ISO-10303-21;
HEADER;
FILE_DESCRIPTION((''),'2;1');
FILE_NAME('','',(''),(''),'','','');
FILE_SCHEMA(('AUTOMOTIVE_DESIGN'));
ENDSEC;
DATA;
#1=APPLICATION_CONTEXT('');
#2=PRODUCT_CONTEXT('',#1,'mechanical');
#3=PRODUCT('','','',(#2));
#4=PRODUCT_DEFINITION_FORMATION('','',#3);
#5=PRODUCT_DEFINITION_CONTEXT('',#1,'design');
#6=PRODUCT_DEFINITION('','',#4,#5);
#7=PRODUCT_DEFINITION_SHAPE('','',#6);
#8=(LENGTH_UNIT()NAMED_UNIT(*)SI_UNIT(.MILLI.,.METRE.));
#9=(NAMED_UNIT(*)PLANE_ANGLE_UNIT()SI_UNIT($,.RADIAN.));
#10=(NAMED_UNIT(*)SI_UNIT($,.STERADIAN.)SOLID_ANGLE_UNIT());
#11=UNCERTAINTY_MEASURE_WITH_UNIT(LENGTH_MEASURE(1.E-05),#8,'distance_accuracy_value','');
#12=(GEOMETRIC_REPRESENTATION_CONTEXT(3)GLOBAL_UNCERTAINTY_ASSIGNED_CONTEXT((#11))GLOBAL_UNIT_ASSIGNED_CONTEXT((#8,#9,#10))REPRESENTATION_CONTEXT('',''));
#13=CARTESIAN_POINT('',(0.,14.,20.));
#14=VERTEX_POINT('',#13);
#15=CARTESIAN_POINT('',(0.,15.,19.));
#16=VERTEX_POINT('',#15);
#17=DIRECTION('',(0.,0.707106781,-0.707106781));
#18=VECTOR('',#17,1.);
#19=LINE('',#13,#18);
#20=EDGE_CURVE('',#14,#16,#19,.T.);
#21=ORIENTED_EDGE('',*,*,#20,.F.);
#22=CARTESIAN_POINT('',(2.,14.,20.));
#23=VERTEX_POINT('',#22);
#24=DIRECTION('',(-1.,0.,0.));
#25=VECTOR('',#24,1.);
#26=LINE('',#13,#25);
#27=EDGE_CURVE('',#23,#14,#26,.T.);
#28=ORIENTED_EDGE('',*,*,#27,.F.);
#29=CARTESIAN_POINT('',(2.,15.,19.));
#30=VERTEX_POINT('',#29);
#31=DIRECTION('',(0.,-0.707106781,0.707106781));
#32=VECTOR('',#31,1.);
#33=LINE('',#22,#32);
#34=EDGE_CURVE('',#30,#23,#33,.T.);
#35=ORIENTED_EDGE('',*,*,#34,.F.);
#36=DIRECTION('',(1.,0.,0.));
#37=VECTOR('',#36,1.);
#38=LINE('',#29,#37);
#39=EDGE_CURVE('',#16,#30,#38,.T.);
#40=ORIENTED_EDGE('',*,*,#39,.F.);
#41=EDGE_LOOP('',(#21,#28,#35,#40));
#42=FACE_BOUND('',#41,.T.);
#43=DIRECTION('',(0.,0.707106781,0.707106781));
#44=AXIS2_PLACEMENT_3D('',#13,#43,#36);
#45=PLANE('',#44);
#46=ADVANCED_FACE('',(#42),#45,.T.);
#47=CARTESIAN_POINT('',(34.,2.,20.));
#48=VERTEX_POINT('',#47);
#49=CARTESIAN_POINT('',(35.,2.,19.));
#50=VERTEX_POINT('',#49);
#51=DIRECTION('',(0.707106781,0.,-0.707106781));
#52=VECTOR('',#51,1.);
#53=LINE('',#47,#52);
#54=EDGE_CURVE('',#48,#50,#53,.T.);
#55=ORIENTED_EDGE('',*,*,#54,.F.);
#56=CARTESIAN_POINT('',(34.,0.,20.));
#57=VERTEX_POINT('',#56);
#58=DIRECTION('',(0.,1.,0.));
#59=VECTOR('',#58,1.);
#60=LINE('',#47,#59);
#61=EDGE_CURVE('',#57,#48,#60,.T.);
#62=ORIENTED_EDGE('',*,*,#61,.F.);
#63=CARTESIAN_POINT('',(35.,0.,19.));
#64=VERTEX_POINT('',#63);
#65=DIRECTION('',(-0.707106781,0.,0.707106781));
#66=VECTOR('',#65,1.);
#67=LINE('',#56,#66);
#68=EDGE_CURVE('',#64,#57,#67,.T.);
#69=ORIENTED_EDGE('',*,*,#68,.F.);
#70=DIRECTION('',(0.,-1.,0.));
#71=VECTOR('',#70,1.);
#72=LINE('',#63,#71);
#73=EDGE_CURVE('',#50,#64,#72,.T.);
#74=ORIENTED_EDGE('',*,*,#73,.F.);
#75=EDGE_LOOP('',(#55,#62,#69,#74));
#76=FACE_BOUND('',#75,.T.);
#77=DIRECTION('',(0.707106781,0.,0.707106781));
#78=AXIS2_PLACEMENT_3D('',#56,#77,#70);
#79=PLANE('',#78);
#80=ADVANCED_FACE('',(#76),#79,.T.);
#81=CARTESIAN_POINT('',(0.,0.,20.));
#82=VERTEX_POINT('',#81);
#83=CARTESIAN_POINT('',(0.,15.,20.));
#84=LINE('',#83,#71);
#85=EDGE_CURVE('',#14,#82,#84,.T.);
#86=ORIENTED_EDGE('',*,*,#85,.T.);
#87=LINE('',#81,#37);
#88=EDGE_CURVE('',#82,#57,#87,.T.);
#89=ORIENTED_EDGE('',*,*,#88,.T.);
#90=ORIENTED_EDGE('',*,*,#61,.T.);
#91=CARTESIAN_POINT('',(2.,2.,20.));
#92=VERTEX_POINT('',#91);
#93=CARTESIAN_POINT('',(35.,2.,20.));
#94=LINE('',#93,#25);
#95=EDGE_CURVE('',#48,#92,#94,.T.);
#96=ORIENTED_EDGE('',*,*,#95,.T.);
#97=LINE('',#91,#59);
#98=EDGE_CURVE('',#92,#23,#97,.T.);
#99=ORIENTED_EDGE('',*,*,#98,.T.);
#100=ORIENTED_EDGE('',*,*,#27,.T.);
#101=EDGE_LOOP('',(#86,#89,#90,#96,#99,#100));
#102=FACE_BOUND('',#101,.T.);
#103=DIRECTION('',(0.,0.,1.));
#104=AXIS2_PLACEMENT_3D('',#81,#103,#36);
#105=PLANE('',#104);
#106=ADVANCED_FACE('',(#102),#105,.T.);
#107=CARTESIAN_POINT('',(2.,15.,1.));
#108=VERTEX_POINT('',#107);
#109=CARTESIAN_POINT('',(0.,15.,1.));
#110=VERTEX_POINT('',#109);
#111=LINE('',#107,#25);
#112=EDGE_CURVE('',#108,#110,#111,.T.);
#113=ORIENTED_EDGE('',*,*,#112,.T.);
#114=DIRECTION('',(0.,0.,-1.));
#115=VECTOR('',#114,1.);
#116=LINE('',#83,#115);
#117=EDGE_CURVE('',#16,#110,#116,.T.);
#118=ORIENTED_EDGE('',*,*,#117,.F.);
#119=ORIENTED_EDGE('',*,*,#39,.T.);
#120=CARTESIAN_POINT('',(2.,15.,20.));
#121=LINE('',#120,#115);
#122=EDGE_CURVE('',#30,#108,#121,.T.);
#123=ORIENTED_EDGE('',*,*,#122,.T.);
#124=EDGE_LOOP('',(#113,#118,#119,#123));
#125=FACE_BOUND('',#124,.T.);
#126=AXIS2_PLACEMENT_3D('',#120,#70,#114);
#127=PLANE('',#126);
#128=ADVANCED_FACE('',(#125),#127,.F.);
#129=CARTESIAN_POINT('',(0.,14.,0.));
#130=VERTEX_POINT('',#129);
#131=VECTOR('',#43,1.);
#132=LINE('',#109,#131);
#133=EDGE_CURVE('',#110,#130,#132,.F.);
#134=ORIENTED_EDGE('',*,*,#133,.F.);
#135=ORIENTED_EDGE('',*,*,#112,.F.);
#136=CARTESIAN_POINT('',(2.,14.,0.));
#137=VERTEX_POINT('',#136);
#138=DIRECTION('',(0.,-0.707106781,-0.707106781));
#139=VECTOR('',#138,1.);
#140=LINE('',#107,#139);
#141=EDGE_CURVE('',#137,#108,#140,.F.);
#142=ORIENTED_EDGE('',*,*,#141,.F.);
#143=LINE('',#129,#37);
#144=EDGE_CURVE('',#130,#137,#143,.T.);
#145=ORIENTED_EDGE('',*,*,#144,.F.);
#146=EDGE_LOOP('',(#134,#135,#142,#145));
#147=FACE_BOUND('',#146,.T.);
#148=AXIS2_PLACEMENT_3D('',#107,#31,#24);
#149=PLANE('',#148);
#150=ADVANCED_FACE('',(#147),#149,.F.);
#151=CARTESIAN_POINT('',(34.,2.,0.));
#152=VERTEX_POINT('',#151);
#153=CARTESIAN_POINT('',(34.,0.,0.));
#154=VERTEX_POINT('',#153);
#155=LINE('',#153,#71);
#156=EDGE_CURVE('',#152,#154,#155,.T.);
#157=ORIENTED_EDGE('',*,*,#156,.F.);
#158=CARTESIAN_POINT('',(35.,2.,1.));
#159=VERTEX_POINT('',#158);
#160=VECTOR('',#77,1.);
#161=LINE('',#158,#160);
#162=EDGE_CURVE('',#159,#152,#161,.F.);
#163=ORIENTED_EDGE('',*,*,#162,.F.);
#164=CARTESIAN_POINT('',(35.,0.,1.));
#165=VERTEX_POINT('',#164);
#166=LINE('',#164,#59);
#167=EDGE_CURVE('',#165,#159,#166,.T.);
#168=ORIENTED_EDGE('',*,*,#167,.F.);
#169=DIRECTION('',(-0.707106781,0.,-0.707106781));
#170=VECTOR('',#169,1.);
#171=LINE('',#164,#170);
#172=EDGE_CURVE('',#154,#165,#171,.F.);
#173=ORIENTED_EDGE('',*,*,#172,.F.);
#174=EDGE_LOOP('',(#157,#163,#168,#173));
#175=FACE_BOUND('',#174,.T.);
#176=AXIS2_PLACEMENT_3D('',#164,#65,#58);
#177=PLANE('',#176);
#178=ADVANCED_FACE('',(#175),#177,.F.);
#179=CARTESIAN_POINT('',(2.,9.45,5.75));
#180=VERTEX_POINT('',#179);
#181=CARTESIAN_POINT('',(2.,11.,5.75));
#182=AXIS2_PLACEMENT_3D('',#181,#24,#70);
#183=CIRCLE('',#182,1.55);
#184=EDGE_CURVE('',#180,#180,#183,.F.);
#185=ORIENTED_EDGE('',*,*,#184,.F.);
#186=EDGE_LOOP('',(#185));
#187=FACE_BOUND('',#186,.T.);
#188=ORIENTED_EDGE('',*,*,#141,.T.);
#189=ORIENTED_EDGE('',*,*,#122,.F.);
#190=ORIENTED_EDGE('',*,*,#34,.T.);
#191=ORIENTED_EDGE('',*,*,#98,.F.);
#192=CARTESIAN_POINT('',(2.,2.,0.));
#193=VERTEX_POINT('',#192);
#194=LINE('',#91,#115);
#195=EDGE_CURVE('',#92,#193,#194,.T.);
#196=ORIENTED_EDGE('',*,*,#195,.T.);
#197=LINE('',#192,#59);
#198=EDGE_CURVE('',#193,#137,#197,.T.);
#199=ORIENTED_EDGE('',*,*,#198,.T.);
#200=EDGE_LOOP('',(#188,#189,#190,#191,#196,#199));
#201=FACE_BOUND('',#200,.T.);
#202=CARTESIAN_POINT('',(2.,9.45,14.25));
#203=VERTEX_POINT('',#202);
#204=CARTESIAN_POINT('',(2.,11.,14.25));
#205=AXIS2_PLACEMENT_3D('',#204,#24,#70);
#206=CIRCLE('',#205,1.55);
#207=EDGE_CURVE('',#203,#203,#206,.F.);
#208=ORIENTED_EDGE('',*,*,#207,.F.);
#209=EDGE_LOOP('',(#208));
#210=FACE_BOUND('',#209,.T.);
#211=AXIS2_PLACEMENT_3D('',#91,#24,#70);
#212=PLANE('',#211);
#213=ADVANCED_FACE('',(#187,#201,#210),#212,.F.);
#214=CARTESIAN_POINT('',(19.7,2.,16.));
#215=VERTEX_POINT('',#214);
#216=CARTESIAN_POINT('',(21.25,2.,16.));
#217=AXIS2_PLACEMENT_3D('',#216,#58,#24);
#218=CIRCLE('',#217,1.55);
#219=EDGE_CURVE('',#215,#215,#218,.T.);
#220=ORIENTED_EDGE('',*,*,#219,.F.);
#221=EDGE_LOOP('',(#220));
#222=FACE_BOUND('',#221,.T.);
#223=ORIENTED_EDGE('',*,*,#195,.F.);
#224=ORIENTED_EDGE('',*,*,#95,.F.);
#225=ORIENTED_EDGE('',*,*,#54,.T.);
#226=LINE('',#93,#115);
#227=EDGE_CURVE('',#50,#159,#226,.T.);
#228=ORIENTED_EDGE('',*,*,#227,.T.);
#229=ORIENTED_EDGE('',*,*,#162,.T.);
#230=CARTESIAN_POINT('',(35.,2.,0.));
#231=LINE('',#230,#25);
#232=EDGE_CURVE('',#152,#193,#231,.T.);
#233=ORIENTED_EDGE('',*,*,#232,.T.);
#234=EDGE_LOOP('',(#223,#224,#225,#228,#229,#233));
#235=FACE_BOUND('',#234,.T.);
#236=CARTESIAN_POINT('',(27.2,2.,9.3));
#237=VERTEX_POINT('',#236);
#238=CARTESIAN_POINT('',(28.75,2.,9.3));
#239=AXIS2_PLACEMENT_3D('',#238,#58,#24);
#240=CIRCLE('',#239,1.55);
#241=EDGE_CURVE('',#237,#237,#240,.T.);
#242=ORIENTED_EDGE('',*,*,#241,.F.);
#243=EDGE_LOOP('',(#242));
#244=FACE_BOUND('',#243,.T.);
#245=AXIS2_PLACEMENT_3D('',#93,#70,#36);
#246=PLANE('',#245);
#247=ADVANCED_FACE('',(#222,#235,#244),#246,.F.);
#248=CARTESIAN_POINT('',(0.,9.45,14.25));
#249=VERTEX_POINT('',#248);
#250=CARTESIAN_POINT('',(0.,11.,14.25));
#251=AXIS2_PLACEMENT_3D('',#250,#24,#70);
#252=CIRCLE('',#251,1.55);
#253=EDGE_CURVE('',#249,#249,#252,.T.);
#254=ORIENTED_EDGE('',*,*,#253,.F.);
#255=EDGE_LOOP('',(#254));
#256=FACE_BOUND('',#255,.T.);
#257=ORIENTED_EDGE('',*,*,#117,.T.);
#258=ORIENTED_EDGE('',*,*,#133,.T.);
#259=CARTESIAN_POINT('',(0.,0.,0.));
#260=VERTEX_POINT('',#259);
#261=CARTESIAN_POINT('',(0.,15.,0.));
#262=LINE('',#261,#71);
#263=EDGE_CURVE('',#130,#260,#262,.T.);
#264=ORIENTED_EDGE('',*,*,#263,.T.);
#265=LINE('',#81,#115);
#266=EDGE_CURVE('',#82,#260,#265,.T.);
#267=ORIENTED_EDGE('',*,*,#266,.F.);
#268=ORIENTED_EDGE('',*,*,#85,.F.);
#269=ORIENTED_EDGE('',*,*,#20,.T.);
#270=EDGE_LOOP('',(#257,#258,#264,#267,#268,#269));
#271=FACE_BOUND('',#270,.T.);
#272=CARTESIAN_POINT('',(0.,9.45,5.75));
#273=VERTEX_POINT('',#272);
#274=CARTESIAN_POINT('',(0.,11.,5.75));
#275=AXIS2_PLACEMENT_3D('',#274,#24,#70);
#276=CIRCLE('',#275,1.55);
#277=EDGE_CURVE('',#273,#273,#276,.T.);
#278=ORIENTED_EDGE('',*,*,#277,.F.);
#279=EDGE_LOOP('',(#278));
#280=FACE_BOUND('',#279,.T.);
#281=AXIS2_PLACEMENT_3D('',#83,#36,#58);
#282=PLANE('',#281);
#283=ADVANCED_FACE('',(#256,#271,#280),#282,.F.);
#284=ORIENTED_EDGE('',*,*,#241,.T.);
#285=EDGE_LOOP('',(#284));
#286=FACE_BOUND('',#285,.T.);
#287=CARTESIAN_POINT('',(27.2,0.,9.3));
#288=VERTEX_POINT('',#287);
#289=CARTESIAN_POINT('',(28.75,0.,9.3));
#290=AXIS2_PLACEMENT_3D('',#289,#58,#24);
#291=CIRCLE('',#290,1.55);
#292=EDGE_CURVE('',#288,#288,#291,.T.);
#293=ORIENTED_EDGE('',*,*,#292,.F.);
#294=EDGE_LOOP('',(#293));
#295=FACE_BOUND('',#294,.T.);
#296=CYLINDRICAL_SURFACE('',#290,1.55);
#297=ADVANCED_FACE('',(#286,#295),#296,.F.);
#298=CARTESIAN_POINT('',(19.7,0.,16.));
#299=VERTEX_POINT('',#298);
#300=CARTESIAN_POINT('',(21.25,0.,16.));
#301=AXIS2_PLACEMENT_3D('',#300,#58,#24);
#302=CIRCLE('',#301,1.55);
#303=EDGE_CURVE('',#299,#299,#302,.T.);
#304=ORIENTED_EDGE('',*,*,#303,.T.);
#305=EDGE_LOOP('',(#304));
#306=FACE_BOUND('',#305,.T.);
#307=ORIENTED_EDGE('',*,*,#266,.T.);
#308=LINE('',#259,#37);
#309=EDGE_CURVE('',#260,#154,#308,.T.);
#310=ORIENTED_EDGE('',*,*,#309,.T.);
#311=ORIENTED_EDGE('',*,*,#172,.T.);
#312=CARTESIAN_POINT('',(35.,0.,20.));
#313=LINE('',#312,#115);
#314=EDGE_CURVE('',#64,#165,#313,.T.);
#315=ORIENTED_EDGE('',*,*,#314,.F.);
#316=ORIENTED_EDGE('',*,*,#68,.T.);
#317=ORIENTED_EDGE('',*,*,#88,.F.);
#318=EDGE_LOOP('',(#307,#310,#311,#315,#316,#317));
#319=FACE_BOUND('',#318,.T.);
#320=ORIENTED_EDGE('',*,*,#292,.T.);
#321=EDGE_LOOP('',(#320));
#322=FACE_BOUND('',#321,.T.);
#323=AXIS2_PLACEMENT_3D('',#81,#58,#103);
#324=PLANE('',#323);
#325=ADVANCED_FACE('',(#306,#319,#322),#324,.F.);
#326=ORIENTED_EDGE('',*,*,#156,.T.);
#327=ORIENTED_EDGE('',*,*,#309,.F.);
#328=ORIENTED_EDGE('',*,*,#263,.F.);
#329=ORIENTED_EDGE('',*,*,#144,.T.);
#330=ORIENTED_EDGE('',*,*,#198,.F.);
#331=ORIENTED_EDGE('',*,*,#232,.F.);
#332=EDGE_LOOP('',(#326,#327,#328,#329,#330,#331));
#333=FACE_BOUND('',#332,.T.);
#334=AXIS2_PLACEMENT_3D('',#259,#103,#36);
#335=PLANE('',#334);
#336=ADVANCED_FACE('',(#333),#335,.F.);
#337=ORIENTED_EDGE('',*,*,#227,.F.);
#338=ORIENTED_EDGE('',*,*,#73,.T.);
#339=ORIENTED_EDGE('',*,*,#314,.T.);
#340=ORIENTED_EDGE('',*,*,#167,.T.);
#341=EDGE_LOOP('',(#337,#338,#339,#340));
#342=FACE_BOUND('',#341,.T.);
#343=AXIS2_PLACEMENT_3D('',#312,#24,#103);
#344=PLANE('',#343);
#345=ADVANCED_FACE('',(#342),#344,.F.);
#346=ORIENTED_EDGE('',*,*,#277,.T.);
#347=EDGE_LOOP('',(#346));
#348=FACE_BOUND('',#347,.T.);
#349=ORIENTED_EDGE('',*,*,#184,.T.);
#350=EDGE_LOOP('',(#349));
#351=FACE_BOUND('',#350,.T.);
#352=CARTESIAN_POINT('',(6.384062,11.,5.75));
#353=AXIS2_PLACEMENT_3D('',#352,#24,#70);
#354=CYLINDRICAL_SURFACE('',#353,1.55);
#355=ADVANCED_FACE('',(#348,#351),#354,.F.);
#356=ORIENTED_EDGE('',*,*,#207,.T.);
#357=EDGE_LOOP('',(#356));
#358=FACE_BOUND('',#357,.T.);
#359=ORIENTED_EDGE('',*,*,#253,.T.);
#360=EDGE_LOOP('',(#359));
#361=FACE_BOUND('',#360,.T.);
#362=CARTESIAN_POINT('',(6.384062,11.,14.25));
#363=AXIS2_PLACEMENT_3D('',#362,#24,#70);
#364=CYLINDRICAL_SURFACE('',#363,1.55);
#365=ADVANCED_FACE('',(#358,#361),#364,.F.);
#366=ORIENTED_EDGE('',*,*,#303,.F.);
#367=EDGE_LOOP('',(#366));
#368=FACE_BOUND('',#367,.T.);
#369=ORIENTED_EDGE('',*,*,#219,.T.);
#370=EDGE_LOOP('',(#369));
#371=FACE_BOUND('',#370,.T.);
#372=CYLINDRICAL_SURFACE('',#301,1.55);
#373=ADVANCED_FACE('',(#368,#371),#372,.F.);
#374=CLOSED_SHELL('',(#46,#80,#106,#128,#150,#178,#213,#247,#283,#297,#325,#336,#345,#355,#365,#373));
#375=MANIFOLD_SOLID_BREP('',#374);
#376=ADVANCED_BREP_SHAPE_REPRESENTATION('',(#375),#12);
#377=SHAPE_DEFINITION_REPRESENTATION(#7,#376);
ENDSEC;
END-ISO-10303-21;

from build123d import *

# Parameters (mm, degrees)
BASE_DEPTH           = 20
SKETCH2_R            = 1.55
CARRIAGESIDE_DEPTH   = 2
SKETCH5_R            = 1.55
CABLECHAINSIDE_DEPTH = 43.355637169
CHAMFER1_SIZE        = 1


with BuildPart() as part:
    # Sketch1 → Base (new body)
    with BuildSketch(Plane.XY):
        Polygon((0, 0), (35, 0), (35, 2), (2, 2), (2, 15), (0, 15), align=None)
    extrude(amount=BASE_DEPTH)

    # Sketch2 → CarriageSide (cut)
    with BuildSketch(Plane.ZY):
        with Locations(Location((14.25, 11, 0), (0, 0, 270))):
            Circle(SKETCH2_R)
        with Locations(Location((5.75, 11, 0), (0, 0, 270))):
            Circle(SKETCH2_R)
    extrude(amount=-CARRIAGESIDE_DEPTH, mode=Mode.SUBTRACT)

    # Sketch5 → CableChainSide (cut, through all)
    with BuildSketch(Plane(origin=(0, 2, 0), x_dir=(1, 0, 0), z_dir=(0, 1, 0))):
        with Locations(Location((21.25, -16, 0), (0, 0, 180))):
            Circle(SKETCH5_R)
        with Locations(Location((28.75, -9.3, 0), (0, 0, 180))):
            Circle(SKETCH5_R)
    extrude(amount=-CABLECHAINSIDE_DEPTH, mode=Mode.SUBTRACT)

    # Chamfer1
    chamfer1_edges = [part.edges().sort_by_distance(p)[0] for p in [
        (35, 1, 20),
        (1, 15, 20),
        (1, 15, 0),
        (35, 1, 0),
    ]]
    chamfer(chamfer1_edges, length=CHAMFER1_SIZE)


solid = part.part
